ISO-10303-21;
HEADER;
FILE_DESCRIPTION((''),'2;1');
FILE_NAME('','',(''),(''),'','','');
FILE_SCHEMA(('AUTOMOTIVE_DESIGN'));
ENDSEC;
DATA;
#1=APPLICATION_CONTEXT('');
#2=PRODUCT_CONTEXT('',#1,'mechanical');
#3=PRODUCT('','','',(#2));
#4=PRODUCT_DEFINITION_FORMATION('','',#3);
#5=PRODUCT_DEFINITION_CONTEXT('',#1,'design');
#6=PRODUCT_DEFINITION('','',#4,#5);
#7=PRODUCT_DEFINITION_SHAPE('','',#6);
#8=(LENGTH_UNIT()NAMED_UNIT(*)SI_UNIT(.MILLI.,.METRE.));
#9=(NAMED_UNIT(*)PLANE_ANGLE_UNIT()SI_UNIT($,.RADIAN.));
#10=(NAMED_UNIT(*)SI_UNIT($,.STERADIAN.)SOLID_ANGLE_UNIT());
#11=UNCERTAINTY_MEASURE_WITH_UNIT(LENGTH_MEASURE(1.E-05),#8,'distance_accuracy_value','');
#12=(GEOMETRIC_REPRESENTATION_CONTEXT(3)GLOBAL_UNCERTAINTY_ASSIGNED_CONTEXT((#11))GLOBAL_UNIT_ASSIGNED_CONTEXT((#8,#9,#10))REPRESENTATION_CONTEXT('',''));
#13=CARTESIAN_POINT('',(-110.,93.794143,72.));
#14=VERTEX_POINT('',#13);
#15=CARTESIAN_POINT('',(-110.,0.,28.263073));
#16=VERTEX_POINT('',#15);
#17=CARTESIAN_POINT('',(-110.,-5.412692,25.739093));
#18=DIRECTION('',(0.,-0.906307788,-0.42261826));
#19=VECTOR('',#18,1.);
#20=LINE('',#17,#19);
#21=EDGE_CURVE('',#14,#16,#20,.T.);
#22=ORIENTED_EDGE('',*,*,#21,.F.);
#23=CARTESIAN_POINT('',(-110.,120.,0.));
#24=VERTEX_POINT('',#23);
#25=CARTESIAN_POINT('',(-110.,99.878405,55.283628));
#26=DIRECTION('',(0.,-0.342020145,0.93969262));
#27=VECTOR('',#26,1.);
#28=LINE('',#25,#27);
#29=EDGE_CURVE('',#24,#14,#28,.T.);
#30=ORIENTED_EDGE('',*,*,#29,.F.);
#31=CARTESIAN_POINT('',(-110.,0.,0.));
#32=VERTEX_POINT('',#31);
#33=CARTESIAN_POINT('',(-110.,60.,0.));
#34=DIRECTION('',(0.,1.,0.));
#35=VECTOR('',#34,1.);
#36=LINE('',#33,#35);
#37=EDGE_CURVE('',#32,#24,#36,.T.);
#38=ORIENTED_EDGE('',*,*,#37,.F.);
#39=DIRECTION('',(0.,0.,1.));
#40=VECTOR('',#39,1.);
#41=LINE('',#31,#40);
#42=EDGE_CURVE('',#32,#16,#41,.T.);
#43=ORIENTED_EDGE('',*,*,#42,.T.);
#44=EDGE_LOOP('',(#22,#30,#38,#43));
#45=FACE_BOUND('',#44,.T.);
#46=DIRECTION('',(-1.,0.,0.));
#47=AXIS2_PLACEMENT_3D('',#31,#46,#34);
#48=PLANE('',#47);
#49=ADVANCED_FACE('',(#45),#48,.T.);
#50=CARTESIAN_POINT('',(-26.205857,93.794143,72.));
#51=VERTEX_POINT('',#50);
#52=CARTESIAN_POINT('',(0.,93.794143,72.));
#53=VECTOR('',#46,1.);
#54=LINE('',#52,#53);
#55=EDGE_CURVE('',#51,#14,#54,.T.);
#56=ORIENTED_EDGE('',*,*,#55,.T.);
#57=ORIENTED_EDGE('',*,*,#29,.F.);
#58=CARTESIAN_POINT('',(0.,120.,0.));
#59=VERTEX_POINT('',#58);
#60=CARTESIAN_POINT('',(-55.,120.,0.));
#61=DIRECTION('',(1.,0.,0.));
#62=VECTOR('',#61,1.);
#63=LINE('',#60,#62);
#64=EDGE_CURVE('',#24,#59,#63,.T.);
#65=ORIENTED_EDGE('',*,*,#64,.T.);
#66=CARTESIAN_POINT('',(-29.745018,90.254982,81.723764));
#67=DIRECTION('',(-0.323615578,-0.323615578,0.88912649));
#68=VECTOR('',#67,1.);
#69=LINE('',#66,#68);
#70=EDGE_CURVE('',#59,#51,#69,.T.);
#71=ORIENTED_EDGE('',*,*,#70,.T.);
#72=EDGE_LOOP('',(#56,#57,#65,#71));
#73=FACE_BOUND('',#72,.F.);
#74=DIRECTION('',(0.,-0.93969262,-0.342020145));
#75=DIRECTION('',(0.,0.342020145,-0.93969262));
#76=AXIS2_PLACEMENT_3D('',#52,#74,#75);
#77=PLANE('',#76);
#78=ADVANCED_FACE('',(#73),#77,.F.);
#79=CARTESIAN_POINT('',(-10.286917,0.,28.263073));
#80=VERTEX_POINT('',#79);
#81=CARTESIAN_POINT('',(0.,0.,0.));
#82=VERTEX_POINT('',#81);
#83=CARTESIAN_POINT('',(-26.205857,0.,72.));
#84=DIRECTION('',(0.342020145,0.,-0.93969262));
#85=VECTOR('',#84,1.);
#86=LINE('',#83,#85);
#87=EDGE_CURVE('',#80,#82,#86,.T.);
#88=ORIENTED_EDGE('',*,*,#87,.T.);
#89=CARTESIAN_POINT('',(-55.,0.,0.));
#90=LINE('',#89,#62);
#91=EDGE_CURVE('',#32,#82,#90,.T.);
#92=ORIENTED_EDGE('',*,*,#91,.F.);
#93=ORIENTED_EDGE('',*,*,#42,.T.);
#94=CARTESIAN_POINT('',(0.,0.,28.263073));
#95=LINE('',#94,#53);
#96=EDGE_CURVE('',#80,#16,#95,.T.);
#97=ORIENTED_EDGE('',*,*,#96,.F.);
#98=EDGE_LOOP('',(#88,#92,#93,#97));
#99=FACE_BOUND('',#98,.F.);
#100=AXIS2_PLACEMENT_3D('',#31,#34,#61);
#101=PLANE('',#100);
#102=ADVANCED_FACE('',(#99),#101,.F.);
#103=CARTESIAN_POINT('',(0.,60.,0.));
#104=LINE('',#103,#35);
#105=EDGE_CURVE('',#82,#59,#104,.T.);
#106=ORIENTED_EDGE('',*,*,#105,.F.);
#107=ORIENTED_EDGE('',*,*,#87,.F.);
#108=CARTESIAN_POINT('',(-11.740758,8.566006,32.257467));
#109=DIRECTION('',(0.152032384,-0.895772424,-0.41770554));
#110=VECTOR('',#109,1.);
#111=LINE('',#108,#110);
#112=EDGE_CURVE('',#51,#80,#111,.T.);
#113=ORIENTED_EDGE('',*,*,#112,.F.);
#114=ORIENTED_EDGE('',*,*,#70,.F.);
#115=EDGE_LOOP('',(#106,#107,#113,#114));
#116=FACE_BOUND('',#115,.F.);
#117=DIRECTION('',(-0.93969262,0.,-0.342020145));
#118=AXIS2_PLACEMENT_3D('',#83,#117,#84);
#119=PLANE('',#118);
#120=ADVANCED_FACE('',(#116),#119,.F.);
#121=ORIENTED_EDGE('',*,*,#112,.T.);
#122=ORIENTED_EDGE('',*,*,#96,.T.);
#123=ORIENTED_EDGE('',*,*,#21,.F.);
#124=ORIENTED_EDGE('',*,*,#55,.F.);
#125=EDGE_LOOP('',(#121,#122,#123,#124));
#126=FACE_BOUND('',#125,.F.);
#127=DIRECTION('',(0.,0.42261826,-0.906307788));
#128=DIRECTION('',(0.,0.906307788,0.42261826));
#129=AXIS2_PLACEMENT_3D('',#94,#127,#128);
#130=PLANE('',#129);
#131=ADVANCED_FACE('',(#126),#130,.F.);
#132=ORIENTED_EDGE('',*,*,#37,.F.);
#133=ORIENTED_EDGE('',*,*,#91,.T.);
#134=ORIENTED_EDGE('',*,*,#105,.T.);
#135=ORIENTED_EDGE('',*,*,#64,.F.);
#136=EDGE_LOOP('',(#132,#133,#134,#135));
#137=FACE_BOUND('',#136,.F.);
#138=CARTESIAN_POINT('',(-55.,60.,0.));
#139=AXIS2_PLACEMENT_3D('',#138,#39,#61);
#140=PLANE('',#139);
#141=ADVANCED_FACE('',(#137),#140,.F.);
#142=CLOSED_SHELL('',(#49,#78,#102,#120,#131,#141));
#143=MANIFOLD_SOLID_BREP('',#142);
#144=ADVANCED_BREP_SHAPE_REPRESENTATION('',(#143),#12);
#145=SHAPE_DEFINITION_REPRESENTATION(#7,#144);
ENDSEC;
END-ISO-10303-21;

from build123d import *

# Parameters (mm, degrees)
F0_W     = 110
F0_H     = 120
F1_DEPTH = 72
F3_DEPTH = 120
F5_DEPTH = 133
F7_DEPTH = 133


with BuildPart() as f1:
    # F0 (on Top) → F1 (new body)
    with BuildSketch(Plane.XY):
        with Locations((-55, 60)):
            Rectangle(F0_W, F0_H)
    extrude(amount=F1_DEPTH)

    # F2 (on face) → F3 (cut)
    with BuildSketch(Plane.XZ):
        Polygon((-26.205857, 72), (0, 0), (0, 72), align=None)
    extrude(amount=-F3_DEPTH, mode=Mode.SUBTRACT)

    # F4 (on Right) → F5 (cut)
    with BuildSketch(Plane.YZ):
        Polygon((120, 0), (120, 72), (93.794143, 72), align=None)
    extrude(amount=-F5_DEPTH, mode=Mode.SUBTRACT)

    # F6 (on Right) → F7 (cut)
    with BuildSketch(Plane.YZ):
        Polygon((0, 28.263073), (93.794143, 72), (0, 72), align=None)
    extrude(amount=-F7_DEPTH, mode=Mode.SUBTRACT)


solid = f1.part
